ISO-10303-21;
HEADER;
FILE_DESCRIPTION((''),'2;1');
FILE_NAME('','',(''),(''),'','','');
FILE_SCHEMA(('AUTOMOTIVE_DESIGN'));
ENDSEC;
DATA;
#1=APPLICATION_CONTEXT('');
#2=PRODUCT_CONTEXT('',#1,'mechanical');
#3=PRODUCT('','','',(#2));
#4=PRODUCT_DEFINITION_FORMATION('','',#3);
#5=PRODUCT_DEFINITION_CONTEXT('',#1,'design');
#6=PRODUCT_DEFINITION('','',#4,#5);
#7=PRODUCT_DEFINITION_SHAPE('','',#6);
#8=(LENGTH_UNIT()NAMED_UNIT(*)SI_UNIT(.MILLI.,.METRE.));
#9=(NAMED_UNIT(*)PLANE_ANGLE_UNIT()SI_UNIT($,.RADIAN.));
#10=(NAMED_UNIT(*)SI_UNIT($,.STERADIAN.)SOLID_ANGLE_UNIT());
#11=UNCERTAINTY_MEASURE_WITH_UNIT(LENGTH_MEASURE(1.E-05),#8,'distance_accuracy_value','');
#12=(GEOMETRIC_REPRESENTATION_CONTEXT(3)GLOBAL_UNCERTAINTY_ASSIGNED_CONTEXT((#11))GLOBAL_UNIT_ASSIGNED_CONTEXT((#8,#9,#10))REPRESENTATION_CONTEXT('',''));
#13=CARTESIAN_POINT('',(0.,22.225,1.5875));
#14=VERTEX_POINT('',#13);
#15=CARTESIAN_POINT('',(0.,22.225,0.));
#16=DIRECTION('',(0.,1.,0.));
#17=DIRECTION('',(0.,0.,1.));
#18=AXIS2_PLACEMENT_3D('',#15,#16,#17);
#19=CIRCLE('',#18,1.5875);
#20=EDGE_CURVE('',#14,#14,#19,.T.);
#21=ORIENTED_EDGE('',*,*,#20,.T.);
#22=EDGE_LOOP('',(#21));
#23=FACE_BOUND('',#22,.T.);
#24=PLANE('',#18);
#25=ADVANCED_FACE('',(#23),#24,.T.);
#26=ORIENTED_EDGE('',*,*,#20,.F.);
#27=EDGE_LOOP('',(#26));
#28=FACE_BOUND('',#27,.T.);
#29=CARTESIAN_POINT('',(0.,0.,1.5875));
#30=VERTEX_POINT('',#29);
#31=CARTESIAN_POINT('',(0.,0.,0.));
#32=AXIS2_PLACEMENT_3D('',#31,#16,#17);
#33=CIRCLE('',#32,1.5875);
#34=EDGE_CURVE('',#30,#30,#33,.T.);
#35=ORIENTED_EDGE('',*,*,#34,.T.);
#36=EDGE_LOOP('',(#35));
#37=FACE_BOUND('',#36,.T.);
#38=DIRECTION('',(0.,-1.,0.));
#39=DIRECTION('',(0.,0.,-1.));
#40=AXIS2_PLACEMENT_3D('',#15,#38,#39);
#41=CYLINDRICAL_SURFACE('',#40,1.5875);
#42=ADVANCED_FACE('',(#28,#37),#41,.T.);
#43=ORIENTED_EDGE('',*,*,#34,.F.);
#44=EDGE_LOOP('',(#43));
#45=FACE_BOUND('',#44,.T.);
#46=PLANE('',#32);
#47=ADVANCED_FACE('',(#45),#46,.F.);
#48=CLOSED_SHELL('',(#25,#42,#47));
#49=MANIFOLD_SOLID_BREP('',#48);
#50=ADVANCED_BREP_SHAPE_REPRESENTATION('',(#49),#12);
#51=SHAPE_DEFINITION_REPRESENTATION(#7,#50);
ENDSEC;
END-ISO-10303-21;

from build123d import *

# Parameters (mm, degrees)
SKETCH1_R           = 1.5875
BOSS_EXTRUDE1_DEPTH = 22.225


with BuildPart() as part:
    # Sketch1 → Boss-Extrude1 (new body)
    with BuildSketch(Plane(origin=(0, 0, 0), x_dir=(1, 0, 0), z_dir=(0, 1, 0))):
        Circle(SKETCH1_R)
    extrude(amount=BOSS_EXTRUDE1_DEPTH)


solid = part.part
